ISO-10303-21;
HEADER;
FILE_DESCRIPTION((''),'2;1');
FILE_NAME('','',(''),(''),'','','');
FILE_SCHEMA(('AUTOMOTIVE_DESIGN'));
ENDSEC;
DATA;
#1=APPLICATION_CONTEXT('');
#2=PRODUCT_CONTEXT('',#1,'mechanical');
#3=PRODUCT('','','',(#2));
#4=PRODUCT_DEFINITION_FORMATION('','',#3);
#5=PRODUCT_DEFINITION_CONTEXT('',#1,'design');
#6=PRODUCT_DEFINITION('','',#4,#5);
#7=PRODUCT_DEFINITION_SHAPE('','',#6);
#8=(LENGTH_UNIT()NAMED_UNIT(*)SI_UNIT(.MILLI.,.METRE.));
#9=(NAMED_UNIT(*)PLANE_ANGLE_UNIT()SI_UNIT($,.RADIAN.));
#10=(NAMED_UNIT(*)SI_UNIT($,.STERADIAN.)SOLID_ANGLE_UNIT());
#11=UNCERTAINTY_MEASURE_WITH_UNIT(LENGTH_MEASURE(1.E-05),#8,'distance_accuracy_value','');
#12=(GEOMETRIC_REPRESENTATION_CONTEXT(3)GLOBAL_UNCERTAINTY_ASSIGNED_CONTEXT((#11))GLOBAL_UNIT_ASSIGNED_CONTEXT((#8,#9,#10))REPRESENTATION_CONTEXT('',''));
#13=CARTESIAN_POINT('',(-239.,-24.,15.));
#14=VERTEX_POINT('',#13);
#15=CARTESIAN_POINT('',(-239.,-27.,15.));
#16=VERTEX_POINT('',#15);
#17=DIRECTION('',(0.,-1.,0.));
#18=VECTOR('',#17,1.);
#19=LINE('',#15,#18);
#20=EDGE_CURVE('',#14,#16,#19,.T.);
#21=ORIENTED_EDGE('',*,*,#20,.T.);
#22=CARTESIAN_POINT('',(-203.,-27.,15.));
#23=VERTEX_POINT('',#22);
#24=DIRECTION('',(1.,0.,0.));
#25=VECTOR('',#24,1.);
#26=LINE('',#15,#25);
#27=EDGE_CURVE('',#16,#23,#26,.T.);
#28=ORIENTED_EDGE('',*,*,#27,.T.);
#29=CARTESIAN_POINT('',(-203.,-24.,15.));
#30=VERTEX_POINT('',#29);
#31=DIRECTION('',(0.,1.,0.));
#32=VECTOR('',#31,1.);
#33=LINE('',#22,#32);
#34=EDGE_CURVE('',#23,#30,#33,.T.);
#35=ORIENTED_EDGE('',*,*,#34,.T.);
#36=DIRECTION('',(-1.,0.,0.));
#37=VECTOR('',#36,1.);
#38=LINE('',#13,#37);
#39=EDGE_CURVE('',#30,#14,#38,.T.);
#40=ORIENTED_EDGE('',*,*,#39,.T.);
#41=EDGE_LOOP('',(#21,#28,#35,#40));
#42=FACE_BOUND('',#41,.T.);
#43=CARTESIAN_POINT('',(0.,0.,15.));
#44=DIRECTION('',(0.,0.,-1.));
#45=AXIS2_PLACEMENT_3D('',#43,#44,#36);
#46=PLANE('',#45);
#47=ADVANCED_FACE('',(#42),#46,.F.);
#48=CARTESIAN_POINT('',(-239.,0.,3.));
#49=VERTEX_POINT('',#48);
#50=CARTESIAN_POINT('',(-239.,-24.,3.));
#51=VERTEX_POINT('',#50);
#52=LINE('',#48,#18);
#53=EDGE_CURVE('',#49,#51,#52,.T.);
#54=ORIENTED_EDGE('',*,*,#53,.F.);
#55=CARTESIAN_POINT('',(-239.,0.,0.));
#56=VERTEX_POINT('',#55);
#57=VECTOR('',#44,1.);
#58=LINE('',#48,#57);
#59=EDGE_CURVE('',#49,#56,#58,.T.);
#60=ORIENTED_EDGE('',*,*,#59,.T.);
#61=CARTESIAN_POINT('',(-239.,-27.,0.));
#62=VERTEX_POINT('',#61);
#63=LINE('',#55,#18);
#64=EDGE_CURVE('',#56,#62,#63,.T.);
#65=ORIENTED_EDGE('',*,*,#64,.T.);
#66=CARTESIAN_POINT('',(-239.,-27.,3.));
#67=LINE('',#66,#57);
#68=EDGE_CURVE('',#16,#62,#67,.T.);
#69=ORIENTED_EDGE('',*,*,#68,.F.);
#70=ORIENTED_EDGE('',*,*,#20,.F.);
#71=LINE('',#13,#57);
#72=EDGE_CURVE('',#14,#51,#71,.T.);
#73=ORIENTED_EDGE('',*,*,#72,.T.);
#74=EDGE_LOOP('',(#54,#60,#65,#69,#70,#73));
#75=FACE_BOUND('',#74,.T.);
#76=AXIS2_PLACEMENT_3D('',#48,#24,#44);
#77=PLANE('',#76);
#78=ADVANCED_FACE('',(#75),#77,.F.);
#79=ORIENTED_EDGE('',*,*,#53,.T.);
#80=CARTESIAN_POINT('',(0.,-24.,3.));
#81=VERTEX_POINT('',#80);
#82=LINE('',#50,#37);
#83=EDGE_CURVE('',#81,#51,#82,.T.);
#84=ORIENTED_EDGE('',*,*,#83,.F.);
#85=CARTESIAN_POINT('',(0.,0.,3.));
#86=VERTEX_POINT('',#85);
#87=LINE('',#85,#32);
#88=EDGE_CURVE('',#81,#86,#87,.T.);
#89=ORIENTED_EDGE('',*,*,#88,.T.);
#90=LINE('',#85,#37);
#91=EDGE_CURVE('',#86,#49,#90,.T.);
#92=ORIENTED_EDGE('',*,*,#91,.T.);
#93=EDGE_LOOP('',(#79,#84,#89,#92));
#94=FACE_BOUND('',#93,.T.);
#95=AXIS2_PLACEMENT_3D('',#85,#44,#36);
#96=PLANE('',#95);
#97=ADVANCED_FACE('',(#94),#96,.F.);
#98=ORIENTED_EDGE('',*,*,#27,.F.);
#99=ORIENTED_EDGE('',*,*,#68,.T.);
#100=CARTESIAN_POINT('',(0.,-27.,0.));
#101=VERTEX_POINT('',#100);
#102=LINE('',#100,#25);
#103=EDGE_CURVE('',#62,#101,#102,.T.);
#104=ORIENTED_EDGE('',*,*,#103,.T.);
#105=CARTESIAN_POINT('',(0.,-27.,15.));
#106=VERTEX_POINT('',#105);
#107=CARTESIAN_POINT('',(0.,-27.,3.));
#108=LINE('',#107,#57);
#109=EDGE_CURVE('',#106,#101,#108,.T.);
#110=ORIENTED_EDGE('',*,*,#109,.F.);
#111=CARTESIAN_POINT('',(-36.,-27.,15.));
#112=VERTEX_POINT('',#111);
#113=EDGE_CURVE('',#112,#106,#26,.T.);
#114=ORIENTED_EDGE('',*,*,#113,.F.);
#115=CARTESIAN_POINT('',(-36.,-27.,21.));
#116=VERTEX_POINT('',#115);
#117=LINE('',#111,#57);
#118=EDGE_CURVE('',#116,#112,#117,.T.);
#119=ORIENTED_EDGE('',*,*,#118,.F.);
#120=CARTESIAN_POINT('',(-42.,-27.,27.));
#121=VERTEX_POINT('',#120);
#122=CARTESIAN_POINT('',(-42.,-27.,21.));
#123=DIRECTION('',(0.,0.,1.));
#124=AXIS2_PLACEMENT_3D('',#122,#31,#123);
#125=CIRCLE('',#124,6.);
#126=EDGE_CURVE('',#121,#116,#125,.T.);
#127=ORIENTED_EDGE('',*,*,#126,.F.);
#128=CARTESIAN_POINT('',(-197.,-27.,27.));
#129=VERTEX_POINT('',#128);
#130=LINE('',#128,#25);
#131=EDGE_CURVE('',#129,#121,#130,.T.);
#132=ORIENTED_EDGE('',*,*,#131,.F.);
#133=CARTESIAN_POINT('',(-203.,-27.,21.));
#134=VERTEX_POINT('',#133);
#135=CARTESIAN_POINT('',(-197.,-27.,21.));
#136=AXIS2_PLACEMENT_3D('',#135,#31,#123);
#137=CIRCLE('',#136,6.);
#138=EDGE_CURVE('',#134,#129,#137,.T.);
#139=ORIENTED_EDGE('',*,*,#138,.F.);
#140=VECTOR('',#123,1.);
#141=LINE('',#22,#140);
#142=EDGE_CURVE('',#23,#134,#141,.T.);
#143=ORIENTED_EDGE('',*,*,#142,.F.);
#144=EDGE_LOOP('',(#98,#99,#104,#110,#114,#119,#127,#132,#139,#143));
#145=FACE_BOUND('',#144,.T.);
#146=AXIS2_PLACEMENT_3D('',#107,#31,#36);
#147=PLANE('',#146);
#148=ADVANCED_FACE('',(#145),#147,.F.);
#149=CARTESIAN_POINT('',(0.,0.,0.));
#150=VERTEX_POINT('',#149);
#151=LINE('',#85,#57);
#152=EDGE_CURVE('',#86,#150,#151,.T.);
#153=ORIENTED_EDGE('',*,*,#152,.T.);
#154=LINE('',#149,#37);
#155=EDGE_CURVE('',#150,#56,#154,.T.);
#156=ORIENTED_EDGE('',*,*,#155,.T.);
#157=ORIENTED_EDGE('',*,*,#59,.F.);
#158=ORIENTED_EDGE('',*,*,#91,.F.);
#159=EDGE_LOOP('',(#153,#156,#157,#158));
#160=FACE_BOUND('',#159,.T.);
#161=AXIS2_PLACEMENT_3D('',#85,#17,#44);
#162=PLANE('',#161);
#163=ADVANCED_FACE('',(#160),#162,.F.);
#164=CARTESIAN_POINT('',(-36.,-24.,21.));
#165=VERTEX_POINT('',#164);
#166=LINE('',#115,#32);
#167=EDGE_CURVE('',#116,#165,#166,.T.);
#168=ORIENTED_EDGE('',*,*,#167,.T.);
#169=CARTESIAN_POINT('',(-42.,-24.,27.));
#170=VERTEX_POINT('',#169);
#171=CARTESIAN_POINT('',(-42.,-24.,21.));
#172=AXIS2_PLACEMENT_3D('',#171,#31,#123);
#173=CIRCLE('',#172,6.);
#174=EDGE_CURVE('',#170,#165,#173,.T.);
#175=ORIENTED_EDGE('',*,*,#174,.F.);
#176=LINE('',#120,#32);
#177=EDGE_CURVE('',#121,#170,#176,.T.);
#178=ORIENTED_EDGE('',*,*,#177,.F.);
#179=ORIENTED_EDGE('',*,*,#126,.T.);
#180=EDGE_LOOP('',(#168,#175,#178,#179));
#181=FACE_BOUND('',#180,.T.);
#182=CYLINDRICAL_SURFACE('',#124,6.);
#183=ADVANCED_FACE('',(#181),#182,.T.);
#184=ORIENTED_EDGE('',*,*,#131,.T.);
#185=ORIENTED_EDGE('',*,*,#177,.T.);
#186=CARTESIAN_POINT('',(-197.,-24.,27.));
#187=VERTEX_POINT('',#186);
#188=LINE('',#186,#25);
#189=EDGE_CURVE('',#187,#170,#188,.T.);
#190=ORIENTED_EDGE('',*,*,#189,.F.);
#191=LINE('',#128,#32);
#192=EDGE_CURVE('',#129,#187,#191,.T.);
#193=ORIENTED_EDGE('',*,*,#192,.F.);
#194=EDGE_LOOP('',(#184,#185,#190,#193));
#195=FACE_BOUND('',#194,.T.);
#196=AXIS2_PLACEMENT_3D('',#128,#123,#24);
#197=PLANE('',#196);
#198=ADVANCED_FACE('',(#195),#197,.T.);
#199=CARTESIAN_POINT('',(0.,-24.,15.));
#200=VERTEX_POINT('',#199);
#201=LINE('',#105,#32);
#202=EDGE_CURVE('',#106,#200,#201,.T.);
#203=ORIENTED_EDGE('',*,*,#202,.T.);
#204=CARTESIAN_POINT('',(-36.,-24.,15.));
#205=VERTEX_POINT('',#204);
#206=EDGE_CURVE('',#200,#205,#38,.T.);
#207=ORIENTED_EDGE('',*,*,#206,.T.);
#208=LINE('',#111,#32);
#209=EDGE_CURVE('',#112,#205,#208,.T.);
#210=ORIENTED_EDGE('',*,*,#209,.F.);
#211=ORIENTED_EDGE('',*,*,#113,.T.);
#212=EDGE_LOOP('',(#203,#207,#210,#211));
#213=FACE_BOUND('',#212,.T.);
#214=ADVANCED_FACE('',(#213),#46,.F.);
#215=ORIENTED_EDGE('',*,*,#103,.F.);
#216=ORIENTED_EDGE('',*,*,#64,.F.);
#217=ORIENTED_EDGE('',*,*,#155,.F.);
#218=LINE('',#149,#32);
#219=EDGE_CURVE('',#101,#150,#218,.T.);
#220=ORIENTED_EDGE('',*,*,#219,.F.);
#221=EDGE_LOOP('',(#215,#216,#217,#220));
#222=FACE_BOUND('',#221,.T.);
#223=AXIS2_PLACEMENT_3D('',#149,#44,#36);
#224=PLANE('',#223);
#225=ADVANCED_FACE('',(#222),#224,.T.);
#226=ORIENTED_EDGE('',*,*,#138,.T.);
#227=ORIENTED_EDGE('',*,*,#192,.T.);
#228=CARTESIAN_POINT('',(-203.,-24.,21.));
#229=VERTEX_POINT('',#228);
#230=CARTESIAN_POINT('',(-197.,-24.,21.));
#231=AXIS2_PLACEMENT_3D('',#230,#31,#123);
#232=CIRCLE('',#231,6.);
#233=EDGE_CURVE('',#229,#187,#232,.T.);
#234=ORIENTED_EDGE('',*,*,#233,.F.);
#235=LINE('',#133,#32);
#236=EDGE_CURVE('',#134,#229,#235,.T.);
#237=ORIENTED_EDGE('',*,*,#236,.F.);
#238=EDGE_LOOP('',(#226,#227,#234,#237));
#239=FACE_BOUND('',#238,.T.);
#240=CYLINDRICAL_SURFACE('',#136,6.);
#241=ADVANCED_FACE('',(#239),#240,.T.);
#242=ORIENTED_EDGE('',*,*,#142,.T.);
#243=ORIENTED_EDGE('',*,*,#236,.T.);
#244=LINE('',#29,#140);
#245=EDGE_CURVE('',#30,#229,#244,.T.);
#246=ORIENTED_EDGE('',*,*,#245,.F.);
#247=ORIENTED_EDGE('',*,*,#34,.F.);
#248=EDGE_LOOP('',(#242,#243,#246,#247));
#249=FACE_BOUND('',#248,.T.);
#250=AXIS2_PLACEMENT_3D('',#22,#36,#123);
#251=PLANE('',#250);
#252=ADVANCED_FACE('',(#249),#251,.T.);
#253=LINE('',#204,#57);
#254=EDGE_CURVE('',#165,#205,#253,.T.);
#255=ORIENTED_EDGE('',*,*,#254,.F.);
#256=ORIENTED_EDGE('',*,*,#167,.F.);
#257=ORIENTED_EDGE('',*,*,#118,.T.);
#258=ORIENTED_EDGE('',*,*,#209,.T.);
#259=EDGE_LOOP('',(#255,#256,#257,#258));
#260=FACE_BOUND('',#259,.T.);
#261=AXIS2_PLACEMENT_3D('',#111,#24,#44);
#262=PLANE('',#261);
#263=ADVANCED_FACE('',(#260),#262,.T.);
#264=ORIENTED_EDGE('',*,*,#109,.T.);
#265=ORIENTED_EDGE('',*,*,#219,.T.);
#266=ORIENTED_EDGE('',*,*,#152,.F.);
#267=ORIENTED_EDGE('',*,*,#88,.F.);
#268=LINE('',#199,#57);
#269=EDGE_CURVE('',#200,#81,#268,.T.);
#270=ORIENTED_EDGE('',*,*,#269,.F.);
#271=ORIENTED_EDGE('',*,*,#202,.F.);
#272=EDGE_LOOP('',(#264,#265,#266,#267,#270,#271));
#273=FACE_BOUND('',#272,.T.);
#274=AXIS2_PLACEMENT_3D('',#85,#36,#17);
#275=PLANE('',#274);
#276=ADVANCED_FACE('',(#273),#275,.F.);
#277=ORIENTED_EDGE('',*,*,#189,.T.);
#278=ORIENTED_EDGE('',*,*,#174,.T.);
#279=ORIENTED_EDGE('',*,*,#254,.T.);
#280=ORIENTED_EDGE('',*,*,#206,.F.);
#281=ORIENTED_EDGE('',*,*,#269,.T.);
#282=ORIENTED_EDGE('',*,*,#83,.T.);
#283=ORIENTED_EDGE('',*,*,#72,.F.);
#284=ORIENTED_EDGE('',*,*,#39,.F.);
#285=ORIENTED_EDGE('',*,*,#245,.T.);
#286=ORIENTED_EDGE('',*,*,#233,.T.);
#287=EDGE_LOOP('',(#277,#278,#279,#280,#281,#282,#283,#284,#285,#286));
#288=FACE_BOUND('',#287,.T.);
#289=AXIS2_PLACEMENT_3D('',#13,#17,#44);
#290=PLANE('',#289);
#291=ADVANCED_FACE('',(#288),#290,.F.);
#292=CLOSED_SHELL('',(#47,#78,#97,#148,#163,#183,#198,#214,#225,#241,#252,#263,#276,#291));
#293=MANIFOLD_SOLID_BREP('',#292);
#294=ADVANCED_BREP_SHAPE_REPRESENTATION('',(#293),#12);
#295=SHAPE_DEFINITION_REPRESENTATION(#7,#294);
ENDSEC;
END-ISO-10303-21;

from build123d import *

# Parameters (mm, degrees)
SKETCH2_W           = 239
SKETCH2_H           = 27
BOSS_EXTRUDE1_DEPTH = 3
SKETCH3_W           = 239
SKETCH3_H           = 3
BOSS_EXTRUDE2_DEPTH = 12
BOSS_EXTRUDE4_DEPTH = 3


with BuildPart() as part:
    # Sketch2 → Boss-Extrude1 (new body)
    with BuildSketch(Plane.XY):
        with Locations((-119.5, -13.5)):
            Rectangle(SKETCH2_W, SKETCH2_H)
    extrude(amount=BOSS_EXTRUDE1_DEPTH)

    # Sketch3 → Boss-Extrude2 (add)
    with BuildSketch(Plane.XY.offset(3)):
        with Locations((-119.5, -25.5)):
            Rectangle(SKETCH3_W, SKETCH3_H)
    extrude(amount=BOSS_EXTRUDE2_DEPTH)

    # Sketch4 → Boss-Extrude4 (add)
    with BuildSketch(Plane(origin=(0, -24, 0), x_dir=(1, 0, 0), z_dir=(0, 1, 0))):
        with BuildLine():
            Line((-203, -15), (-36, -15))
            Line((-36, -15), (-36, -21))
            ThreePointArc((-36, -21), (-37.757359313, -25.242640687), (-42, -27))
            Line((-42, -27), (-197, -27))
            ThreePointArc((-197, -27), (-201.242640687, -25.242640687), (-203, -21))
            Line((-203, -21), (-203, -15))
        make_face()
    extrude(amount=-BOSS_EXTRUDE4_DEPTH)


solid = part.part
